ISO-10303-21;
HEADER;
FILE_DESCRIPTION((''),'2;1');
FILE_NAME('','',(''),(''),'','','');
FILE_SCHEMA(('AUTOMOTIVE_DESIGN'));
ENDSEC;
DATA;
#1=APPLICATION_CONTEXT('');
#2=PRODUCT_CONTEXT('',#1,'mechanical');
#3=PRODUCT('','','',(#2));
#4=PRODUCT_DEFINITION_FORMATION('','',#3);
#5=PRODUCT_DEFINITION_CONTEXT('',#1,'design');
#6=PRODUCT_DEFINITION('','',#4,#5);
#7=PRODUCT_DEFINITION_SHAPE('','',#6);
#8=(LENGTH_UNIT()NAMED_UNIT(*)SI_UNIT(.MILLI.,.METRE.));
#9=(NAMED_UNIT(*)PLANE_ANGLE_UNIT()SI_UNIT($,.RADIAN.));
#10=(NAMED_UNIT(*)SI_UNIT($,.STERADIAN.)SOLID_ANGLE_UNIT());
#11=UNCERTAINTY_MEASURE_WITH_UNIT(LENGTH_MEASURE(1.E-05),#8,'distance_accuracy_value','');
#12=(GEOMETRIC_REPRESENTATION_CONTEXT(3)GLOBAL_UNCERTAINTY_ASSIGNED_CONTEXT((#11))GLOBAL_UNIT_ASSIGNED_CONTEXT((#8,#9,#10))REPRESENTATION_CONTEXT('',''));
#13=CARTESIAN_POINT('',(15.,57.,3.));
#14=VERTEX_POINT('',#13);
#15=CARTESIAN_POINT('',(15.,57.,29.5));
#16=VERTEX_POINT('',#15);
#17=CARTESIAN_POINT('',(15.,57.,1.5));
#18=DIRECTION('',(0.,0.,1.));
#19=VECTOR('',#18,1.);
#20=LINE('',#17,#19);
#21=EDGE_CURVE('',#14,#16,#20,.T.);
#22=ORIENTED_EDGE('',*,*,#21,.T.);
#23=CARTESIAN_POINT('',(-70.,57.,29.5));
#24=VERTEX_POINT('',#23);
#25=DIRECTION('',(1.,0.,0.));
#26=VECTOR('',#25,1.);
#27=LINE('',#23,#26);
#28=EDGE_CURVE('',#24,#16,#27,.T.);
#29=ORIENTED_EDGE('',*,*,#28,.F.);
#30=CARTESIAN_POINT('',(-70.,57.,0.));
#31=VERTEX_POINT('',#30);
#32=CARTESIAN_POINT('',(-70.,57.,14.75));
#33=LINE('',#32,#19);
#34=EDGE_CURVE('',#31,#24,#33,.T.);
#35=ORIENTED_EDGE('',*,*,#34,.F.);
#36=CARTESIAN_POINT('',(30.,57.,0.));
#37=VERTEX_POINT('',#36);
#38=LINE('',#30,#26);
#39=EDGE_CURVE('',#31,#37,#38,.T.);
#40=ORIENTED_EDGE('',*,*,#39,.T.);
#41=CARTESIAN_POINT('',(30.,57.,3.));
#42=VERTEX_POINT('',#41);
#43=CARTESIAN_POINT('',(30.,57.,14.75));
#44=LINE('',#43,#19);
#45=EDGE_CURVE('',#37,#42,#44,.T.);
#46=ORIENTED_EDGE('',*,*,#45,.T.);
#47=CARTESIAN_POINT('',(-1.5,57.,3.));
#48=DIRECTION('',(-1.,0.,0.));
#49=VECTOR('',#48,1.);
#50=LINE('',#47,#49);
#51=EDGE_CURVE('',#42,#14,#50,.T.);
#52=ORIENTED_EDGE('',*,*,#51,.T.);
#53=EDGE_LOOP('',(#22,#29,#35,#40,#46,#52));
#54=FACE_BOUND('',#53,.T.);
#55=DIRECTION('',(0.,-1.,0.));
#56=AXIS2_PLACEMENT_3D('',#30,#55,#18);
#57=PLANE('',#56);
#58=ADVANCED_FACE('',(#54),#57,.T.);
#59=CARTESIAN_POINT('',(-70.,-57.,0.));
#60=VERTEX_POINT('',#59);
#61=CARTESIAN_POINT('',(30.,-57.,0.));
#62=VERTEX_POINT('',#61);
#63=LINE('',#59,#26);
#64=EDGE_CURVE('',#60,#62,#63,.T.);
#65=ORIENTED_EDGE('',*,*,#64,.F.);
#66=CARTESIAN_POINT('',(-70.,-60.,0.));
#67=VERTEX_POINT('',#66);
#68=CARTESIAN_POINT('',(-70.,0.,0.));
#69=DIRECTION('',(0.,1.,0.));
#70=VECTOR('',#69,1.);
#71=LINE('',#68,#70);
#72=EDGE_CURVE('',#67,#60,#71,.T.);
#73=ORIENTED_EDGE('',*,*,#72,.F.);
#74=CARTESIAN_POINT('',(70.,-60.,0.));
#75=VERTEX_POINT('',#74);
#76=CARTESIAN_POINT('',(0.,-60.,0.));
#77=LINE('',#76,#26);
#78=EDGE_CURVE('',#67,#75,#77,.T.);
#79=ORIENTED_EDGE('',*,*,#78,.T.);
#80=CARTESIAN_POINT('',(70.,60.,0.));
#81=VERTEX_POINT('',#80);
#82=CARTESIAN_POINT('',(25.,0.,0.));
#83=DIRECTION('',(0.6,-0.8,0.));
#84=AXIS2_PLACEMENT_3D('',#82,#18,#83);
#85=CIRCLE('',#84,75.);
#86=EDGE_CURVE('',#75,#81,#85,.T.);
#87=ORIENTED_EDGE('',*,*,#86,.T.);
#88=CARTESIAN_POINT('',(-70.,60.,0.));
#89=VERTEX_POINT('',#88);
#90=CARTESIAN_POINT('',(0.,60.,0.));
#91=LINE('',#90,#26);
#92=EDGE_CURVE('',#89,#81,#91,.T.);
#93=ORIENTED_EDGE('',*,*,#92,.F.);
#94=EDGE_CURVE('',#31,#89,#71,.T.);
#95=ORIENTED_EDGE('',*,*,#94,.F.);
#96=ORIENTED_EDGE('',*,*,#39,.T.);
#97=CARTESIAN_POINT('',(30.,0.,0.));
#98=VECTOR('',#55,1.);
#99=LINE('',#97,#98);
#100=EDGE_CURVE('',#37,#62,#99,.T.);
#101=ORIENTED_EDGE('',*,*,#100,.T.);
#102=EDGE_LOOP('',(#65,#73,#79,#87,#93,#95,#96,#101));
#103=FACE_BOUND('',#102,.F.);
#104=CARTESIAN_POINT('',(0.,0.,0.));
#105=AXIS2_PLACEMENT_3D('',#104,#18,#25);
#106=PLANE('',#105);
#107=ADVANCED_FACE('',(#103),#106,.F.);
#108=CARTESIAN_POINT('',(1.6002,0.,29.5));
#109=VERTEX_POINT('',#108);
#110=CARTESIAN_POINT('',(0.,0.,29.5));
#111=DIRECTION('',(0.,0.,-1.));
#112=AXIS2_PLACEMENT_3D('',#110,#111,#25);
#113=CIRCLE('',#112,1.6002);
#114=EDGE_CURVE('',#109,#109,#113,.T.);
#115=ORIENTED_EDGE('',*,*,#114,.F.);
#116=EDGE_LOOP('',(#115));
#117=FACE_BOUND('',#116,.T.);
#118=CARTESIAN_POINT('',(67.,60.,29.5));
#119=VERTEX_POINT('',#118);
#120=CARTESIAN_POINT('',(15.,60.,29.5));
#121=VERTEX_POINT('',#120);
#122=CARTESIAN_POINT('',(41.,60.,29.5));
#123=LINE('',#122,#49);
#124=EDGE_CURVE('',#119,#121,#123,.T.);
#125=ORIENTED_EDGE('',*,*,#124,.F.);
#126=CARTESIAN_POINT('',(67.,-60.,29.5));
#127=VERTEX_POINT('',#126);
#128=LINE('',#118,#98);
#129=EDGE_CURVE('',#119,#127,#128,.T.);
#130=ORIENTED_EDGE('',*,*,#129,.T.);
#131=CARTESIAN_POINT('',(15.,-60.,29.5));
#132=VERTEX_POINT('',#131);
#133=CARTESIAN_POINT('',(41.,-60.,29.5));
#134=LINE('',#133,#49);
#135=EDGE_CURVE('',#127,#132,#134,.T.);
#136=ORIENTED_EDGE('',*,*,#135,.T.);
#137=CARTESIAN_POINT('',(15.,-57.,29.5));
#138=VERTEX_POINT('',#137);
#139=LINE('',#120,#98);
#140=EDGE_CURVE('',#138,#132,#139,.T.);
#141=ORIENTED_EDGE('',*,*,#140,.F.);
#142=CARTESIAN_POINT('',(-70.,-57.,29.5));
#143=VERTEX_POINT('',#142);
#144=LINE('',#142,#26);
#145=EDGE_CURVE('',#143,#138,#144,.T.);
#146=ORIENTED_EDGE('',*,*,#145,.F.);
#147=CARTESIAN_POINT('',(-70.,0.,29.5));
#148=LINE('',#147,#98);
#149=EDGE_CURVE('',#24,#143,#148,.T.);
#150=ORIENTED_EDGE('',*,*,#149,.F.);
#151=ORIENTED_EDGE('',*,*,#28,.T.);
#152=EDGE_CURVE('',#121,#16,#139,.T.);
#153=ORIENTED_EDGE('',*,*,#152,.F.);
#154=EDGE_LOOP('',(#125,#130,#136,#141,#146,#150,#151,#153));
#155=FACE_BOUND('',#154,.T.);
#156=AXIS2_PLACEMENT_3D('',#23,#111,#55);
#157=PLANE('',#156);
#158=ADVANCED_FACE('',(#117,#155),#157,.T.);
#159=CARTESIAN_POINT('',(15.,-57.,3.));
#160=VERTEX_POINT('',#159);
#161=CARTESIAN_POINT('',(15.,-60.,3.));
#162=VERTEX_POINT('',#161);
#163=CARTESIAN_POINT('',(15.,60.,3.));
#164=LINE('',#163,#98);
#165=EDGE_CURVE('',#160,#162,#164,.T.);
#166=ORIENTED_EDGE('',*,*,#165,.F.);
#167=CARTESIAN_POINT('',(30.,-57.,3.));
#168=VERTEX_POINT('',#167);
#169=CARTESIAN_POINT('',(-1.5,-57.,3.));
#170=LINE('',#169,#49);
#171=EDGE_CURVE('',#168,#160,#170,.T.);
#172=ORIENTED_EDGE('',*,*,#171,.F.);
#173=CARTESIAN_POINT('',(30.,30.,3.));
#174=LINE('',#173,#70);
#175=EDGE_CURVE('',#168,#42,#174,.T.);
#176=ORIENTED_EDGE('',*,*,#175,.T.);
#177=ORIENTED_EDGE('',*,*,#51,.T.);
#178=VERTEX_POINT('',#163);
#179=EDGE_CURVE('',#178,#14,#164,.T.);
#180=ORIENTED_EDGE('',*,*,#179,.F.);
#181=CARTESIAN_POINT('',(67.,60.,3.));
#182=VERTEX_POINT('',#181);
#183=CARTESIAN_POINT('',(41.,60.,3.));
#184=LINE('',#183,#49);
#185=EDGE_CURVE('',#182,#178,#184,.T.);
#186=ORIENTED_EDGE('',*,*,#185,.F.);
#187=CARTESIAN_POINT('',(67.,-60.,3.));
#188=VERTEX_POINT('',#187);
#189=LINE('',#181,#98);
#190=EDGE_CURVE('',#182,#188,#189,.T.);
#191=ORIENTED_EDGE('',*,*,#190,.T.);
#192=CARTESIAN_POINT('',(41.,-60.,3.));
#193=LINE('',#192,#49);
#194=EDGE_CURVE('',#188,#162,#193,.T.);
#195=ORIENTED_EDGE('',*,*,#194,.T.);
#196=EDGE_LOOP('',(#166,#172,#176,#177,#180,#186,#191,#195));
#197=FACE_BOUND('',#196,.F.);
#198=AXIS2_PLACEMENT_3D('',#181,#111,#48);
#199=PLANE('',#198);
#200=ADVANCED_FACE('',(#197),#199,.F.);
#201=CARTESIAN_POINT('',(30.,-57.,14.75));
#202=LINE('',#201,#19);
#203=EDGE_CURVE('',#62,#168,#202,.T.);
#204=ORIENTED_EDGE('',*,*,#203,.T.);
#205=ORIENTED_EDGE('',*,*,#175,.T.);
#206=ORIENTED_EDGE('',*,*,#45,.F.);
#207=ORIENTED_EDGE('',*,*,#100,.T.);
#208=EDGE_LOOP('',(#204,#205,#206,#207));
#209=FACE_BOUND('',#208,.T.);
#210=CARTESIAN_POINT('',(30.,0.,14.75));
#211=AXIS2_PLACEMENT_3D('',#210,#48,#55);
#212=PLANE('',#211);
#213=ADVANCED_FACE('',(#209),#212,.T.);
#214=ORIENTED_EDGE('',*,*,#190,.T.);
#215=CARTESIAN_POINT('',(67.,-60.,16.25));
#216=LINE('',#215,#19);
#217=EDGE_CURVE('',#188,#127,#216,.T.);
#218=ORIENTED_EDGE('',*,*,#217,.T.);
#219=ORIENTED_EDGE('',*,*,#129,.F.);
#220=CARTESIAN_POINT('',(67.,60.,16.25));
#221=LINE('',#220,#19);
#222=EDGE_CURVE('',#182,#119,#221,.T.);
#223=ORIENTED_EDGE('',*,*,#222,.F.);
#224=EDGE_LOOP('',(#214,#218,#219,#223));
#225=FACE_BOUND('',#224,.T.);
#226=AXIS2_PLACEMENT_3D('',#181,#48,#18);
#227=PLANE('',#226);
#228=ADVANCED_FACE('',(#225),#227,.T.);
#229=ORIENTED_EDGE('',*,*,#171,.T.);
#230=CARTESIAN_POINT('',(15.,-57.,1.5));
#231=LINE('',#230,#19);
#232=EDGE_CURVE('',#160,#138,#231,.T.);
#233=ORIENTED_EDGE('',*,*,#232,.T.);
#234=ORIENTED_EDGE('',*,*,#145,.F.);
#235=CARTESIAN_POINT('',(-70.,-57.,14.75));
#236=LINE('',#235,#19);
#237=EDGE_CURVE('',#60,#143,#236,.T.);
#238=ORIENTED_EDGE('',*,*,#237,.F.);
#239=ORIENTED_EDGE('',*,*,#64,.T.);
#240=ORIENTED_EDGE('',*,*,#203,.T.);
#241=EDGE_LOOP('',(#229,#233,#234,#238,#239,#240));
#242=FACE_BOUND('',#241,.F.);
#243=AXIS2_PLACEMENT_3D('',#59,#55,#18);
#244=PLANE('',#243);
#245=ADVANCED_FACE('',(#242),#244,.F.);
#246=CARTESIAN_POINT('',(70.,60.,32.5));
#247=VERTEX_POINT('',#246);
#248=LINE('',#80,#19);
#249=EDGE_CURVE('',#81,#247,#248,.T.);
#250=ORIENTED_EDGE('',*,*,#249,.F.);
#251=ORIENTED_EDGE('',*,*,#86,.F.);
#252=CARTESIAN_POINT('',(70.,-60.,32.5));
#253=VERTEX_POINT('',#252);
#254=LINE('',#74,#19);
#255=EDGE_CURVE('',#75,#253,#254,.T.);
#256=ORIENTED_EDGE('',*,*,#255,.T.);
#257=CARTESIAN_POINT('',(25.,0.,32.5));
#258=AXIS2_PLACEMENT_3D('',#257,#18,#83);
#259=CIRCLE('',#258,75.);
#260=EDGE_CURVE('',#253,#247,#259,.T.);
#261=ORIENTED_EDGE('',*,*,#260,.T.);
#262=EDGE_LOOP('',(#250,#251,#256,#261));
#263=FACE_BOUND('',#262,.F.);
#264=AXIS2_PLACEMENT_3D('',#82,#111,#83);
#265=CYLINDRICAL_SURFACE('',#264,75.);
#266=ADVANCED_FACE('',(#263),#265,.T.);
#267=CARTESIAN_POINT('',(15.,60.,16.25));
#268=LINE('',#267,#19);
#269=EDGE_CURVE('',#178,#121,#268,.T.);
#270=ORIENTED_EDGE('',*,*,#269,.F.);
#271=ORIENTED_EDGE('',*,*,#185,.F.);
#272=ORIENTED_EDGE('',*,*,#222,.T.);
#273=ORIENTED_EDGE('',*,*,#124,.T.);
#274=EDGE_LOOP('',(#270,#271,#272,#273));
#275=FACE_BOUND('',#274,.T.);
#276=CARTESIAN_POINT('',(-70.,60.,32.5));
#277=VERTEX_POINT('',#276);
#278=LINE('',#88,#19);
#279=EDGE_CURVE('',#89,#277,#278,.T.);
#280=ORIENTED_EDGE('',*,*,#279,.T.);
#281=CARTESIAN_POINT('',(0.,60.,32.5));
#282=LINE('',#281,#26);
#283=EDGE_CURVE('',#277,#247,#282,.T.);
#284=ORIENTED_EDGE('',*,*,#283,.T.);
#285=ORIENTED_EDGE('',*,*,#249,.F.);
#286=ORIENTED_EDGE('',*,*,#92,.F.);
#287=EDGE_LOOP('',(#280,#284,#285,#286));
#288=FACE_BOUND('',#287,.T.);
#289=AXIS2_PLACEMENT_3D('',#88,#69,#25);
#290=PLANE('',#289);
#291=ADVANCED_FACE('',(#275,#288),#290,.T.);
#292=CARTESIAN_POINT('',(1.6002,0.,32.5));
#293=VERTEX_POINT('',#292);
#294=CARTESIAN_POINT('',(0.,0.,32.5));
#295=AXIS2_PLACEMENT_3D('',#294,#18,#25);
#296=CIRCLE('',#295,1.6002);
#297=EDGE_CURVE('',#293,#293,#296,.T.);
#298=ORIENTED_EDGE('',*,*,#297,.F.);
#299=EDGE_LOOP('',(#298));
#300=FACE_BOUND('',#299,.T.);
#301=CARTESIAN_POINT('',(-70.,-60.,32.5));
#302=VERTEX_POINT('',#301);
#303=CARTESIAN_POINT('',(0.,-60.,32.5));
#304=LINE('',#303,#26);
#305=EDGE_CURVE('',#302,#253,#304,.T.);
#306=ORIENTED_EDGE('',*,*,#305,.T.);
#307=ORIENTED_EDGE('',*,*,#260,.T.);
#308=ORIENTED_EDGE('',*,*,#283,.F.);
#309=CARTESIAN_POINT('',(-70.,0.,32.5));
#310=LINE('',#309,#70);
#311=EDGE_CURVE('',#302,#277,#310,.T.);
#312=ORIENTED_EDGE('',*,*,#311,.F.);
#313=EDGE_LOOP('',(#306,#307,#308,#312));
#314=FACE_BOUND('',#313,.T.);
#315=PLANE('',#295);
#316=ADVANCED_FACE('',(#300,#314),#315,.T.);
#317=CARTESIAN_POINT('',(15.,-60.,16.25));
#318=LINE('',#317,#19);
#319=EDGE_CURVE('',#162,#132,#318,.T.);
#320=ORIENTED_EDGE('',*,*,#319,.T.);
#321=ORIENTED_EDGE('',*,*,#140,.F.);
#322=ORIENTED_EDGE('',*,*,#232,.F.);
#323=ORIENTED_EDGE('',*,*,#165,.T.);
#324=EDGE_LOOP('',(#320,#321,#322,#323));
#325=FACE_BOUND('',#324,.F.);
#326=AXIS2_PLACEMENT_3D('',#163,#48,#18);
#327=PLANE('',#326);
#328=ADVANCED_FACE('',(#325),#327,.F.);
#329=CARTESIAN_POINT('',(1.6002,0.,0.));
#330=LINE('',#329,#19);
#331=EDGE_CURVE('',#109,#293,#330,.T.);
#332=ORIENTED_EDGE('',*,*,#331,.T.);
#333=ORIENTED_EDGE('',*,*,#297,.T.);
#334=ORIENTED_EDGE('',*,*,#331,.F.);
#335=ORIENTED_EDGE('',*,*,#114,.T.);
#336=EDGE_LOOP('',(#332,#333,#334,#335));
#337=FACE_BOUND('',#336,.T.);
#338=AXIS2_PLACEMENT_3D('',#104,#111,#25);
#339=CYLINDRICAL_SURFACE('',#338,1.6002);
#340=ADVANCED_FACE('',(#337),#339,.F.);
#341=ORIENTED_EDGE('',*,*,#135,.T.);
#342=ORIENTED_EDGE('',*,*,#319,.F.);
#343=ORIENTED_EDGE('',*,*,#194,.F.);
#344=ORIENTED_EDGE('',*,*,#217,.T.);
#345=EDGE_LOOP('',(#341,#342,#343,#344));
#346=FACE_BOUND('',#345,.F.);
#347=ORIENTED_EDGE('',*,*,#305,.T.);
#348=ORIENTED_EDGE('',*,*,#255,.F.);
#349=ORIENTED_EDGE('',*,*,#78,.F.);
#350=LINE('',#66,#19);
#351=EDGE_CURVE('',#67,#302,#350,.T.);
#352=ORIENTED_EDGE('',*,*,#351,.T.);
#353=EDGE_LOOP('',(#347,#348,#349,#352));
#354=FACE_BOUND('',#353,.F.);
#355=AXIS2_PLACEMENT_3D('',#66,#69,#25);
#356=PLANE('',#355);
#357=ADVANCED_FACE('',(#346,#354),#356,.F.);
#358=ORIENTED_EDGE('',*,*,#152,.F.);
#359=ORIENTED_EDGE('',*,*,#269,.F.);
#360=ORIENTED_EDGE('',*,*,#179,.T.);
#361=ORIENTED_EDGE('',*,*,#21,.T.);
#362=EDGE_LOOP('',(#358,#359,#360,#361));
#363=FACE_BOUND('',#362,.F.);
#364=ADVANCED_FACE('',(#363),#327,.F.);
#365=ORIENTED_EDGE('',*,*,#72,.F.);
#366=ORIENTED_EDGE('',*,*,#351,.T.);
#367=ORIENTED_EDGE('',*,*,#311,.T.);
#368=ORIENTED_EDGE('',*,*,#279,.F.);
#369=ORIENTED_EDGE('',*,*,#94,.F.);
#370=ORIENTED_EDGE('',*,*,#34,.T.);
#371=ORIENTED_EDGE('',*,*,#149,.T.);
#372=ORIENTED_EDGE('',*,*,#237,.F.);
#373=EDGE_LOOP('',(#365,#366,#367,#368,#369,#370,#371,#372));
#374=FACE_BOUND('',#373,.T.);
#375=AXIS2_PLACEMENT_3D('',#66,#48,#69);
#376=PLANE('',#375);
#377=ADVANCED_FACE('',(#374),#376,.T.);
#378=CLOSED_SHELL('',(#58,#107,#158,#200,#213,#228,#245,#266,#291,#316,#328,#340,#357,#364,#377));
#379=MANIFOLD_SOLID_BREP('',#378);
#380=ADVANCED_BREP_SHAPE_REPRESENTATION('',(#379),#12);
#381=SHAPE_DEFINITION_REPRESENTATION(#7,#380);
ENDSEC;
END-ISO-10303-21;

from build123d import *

# Parameters (mm, degrees)
F0_W     = 140
F0_H     = 120
F0_R     = 1.6002
F1_DEPTH = 32.5
F2_W     = 52
F2_H     = 26.5
F3_DEPTH = 120
F4_W     = 114
F4_H     = 29.5
F5_DEPTH = 100


with BuildPart() as f1:
    # F0 (on Top) → F1 (new body)
    with BuildSketch(Plane.XY):
        Rectangle(F0_W, F0_H)
        Circle(F0_R, mode=Mode.SUBTRACT)
        with BuildLine():
            Line((70, 60), (70, -60))
            ThreePointArc((70, -60), (100, 0), (70, 60))
        make_face()
    extrude(amount=F1_DEPTH)

    # F2 (on face) → F3 (cut)
    with BuildSketch(Plane(origin=(0, 60, 0), x_dir=(-1, 0, 0), z_dir=(0, 1, 0))):
        with Locations((-41, 16.25)):
            Rectangle(F2_W, F2_H)
    extrude(amount=-F3_DEPTH, mode=Mode.SUBTRACT)

    # F4 (on face) → F5 (cut)
    with BuildSketch(Plane(origin=(-70, 0, 0), x_dir=(0, -1, 0), z_dir=(-1, 0, 0))):
        with Locations((0, 14.75)):
            Rectangle(F4_W, F4_H)
    extrude(amount=-F5_DEPTH, mode=Mode.SUBTRACT)


solid = f1.part
